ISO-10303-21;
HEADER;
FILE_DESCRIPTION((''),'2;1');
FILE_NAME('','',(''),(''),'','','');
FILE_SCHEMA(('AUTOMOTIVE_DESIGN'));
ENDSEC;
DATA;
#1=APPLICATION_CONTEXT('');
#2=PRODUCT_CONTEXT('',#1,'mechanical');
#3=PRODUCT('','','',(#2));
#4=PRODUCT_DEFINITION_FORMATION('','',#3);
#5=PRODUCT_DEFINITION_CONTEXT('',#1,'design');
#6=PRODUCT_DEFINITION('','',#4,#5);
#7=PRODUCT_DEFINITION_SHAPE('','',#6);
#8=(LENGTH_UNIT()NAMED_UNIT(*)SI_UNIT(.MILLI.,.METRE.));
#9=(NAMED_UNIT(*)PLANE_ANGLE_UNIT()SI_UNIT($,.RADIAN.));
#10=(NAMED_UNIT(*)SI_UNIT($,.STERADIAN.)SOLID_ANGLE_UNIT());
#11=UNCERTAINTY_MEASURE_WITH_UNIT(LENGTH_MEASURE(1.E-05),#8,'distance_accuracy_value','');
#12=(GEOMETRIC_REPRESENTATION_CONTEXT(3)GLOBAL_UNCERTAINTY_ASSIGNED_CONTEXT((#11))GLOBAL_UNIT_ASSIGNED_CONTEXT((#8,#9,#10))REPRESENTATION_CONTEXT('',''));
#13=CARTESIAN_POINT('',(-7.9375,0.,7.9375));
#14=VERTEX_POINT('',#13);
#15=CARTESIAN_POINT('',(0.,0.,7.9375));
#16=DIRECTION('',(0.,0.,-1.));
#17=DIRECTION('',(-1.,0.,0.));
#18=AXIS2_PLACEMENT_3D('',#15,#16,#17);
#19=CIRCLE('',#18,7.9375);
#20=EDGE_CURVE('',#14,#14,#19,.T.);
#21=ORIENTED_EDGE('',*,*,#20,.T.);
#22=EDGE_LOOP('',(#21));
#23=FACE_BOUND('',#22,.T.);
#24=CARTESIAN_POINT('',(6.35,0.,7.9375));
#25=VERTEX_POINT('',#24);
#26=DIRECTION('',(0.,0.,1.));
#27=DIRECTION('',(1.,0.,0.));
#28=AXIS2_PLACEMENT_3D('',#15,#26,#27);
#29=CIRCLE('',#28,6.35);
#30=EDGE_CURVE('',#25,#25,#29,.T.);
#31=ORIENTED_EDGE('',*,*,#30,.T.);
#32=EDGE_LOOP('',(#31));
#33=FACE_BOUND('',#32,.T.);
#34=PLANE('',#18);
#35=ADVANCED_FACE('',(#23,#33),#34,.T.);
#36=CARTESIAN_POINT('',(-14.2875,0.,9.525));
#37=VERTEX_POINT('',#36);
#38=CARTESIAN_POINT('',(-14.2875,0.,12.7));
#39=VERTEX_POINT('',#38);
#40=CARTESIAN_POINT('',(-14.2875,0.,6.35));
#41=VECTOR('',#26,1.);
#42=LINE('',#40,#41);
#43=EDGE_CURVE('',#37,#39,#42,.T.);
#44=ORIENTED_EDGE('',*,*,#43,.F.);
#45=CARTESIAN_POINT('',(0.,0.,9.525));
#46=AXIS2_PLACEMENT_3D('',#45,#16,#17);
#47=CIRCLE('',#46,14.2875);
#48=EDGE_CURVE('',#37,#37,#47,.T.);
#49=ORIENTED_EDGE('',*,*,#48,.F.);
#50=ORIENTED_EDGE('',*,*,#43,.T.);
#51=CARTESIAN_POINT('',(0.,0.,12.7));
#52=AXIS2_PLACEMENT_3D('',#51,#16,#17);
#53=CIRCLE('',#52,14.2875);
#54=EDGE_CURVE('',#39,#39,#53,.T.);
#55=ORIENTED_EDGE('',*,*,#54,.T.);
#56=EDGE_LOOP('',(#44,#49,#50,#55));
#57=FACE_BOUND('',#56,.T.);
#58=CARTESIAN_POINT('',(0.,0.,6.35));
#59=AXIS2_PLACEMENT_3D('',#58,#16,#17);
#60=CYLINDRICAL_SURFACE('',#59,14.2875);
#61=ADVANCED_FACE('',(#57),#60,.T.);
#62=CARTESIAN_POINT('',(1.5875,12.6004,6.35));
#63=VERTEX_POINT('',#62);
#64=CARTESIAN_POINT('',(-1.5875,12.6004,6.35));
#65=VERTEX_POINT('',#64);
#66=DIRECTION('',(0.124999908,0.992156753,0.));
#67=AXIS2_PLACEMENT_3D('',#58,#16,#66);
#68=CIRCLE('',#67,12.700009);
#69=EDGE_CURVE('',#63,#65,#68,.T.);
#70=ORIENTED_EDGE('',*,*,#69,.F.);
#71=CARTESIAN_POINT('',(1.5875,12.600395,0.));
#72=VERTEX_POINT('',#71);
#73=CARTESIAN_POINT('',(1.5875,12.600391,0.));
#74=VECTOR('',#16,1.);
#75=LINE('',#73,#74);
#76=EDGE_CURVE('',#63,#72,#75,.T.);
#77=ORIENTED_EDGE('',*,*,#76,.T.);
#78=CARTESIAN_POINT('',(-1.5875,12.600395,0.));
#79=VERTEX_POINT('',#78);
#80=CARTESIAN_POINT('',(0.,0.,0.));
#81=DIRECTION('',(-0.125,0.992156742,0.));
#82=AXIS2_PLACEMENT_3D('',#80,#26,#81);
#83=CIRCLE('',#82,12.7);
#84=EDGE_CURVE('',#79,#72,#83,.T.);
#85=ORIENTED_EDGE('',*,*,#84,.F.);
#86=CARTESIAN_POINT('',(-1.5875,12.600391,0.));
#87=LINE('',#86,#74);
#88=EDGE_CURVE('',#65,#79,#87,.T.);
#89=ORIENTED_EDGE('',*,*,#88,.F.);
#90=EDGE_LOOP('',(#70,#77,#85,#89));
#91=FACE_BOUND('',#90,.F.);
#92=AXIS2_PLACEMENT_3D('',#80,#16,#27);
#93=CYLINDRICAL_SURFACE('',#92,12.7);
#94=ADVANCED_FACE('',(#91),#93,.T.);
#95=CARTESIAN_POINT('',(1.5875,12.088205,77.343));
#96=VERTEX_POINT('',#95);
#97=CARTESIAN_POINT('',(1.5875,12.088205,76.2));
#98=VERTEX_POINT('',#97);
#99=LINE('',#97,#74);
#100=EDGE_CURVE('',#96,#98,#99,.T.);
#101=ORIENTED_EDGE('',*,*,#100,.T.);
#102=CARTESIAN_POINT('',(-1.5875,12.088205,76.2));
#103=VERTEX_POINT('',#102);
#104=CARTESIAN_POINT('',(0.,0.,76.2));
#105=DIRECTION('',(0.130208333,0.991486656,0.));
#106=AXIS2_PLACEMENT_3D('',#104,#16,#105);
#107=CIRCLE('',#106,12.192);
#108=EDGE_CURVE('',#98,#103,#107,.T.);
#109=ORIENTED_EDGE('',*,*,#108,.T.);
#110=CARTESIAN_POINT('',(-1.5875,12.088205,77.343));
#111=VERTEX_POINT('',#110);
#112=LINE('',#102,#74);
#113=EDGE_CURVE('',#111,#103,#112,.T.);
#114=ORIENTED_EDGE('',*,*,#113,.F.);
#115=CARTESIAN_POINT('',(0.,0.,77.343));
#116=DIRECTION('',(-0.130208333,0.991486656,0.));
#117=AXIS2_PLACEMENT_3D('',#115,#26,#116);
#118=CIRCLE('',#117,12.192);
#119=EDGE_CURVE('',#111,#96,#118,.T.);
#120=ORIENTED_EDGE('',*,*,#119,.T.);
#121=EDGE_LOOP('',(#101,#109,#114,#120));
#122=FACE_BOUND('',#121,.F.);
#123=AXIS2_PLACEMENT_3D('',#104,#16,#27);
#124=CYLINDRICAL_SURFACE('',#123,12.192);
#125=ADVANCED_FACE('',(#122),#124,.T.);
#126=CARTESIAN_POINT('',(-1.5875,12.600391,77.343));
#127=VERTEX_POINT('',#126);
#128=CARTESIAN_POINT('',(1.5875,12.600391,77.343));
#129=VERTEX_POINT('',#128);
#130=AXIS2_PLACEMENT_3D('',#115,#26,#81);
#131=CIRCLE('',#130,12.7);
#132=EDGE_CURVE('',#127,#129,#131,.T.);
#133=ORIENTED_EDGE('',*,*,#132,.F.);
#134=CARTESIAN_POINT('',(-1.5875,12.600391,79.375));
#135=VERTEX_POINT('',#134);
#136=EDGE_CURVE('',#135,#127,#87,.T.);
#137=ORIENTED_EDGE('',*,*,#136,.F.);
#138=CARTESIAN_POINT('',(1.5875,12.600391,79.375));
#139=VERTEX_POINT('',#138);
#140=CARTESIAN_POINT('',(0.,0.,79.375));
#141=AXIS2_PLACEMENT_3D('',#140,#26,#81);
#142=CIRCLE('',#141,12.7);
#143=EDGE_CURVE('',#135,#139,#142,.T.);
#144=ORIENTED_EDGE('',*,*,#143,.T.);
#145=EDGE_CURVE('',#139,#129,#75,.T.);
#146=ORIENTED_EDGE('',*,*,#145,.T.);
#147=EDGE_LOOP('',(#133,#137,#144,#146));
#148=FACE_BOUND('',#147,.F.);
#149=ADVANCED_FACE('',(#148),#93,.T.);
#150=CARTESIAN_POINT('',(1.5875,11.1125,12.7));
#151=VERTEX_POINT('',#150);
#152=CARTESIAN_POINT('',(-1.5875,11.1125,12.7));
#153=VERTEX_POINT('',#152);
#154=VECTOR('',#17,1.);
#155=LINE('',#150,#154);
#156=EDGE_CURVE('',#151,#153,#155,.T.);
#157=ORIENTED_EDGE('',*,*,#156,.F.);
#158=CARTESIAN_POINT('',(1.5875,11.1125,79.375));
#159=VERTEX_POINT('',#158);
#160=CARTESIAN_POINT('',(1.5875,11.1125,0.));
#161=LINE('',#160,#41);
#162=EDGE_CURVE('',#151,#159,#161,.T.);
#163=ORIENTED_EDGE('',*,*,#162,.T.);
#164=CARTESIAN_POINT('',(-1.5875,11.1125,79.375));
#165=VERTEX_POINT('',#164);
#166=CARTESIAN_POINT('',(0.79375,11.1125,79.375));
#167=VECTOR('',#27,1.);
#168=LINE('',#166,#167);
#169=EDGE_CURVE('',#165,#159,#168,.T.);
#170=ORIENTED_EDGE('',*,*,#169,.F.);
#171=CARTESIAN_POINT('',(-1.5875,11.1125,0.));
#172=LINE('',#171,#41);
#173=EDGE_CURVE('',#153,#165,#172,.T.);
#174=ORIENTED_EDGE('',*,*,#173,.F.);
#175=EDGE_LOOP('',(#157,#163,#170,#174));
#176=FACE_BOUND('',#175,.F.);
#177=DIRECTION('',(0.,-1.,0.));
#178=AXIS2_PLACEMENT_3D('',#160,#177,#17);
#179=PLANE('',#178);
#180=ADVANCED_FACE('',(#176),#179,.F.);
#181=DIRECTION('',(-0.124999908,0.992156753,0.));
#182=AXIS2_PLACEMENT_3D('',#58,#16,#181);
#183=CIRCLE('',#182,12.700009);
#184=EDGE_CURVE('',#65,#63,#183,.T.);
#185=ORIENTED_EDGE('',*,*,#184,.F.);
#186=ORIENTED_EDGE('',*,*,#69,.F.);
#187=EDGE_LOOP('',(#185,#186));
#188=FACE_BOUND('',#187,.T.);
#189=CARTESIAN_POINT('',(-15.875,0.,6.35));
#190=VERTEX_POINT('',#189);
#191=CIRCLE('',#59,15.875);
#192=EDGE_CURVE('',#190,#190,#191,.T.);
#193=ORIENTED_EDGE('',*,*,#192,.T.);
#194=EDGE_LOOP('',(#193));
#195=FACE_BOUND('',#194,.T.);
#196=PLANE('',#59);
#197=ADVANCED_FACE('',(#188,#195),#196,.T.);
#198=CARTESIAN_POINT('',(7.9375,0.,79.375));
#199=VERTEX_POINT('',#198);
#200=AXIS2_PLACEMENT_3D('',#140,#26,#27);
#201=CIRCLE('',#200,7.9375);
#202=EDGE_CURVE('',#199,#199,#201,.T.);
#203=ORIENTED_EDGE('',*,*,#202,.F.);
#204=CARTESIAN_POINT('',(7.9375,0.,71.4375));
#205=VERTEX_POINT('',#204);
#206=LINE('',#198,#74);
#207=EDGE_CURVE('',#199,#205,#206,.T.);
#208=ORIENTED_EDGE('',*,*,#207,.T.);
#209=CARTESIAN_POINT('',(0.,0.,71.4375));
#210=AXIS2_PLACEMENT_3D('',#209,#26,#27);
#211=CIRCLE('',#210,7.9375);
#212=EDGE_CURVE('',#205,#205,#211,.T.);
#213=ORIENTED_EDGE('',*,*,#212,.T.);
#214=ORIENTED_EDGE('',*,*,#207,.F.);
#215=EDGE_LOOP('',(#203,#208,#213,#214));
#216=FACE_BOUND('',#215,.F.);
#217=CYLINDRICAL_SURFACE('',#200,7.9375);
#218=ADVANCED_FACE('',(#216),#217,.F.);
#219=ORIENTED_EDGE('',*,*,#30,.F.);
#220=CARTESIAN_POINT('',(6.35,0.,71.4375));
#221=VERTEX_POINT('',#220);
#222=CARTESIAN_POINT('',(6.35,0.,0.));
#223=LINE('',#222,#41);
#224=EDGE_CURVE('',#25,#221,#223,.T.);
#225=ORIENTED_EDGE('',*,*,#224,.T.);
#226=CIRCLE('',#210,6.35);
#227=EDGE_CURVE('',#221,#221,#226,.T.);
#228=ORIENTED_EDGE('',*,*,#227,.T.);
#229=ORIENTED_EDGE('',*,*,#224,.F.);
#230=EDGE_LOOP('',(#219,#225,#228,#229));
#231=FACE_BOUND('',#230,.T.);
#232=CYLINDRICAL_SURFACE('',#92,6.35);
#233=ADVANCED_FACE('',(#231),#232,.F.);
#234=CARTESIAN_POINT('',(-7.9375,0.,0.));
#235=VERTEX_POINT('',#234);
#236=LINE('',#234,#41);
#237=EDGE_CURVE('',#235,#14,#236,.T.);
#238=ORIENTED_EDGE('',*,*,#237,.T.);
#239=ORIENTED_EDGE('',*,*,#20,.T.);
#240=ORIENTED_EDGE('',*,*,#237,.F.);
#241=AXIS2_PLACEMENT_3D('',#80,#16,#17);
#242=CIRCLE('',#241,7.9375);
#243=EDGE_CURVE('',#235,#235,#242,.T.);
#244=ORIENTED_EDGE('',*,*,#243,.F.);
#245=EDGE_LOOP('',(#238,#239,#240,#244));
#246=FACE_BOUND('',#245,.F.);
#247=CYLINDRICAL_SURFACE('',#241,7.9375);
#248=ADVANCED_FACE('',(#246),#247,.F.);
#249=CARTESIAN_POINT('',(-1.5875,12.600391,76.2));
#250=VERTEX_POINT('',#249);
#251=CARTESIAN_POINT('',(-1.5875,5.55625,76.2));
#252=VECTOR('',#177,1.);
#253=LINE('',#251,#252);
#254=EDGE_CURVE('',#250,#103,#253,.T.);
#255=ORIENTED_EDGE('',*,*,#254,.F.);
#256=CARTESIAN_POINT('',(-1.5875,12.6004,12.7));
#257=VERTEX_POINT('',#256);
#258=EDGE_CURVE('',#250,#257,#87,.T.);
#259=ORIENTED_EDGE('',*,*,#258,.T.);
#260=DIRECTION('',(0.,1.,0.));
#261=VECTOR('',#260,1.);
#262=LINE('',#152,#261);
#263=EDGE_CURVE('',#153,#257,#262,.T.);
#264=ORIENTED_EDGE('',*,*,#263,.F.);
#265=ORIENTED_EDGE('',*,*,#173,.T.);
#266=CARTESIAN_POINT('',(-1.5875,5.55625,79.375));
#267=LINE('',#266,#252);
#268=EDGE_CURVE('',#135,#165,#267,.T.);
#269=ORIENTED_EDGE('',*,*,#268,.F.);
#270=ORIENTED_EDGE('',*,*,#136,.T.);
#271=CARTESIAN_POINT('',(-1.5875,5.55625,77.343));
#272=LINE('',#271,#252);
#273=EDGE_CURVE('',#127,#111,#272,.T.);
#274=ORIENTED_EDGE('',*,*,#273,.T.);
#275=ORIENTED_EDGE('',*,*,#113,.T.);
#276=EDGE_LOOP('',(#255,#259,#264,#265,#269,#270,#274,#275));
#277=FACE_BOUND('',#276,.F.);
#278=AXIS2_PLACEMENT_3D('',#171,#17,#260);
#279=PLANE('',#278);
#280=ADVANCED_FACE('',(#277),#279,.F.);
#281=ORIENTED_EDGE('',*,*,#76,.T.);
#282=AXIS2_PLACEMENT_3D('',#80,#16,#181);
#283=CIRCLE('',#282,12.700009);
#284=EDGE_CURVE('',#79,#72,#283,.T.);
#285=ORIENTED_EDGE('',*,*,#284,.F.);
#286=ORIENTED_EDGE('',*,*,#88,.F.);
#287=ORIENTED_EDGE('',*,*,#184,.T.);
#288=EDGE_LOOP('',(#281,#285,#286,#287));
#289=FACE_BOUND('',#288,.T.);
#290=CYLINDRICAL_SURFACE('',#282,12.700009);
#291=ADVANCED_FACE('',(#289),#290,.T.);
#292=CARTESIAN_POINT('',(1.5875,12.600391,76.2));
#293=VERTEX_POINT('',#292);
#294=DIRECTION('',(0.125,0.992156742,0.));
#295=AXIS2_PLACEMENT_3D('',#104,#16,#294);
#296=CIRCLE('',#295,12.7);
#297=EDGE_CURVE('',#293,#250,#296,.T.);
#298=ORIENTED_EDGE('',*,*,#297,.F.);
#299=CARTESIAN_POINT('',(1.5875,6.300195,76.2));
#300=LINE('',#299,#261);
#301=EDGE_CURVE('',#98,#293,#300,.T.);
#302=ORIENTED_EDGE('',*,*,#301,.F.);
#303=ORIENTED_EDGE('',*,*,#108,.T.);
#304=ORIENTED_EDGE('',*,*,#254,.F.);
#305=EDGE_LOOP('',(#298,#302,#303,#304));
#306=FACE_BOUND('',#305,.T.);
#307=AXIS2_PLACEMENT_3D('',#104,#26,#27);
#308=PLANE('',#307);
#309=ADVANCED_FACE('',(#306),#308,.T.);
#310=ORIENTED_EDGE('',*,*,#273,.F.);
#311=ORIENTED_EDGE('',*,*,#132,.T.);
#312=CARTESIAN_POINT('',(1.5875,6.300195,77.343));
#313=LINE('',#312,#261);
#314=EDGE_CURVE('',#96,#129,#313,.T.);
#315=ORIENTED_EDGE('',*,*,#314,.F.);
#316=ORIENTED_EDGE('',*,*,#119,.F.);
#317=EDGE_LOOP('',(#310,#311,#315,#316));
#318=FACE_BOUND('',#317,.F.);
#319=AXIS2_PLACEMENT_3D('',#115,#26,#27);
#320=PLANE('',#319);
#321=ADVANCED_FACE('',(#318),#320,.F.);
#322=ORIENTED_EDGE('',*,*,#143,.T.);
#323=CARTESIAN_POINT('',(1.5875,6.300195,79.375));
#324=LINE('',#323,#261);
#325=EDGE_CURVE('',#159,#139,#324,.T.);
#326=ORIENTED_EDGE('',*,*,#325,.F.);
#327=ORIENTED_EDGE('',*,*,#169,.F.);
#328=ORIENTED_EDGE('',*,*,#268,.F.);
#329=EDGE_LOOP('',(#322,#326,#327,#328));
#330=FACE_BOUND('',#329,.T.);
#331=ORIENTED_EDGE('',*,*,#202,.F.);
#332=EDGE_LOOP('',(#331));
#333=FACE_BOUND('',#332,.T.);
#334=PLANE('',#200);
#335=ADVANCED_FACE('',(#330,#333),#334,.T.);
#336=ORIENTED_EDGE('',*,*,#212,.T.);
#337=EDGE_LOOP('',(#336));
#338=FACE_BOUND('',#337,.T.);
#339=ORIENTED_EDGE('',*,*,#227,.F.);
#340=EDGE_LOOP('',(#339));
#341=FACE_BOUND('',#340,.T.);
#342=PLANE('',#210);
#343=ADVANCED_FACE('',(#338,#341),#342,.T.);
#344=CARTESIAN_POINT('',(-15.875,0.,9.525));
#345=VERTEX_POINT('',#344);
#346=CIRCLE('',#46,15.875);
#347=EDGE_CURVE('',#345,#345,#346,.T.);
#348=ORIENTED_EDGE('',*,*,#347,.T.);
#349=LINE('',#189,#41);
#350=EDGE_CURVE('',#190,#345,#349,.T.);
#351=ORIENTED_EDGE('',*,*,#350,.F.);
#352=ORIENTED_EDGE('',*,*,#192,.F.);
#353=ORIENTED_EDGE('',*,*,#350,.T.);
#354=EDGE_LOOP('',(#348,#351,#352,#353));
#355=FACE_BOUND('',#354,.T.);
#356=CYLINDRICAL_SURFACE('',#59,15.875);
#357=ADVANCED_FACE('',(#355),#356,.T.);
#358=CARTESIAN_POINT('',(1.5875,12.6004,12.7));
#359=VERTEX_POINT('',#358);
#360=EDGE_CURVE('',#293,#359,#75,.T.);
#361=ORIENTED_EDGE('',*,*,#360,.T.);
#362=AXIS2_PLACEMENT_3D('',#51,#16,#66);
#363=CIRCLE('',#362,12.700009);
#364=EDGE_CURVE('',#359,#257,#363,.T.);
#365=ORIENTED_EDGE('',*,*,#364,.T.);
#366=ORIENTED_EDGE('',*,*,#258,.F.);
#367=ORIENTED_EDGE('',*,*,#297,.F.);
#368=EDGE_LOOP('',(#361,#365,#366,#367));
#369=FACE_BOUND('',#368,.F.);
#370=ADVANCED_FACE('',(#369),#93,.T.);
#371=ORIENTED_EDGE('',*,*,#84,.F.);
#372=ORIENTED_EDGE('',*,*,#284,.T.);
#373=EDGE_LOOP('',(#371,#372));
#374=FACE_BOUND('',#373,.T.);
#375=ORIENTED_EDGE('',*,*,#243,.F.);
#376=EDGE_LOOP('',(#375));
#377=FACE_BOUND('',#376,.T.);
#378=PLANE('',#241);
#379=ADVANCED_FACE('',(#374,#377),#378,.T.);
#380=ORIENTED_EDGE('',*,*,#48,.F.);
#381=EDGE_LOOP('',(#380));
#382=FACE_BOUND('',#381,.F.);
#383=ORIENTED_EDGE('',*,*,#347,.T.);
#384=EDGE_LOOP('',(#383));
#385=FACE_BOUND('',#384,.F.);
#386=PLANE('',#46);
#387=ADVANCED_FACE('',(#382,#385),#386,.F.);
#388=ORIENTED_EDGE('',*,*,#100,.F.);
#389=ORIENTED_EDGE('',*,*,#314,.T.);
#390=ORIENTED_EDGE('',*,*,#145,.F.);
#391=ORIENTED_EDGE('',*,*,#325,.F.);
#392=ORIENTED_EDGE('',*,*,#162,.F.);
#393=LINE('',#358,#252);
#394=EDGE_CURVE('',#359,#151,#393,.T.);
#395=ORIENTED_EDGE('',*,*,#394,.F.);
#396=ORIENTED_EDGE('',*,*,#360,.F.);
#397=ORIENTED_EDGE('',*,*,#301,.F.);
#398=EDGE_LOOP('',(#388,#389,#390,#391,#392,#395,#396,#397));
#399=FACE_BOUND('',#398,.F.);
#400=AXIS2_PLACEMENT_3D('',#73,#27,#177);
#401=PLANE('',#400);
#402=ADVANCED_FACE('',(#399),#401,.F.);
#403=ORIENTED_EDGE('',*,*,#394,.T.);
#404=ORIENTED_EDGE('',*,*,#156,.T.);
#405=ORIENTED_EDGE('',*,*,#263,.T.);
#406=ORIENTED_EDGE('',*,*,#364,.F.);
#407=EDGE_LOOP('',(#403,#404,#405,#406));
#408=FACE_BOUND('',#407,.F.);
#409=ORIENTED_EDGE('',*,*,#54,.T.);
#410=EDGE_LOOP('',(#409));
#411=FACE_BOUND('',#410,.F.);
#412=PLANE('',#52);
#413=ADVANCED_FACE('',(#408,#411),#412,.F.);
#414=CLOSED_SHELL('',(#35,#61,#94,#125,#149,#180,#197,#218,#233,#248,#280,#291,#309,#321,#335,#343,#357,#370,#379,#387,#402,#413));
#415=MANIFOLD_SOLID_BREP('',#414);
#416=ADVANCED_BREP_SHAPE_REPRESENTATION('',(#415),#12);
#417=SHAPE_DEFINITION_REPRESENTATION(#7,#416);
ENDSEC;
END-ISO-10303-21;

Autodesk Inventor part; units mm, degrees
sketch "Sketch1" plane through (0, 0, 0) normal (0, 0, 1) x (1, 0, 0)
  circle A0 centre (0, 0) radius 12.7
  circle A1 centre (0, 0) radius 6.35
  line L0 (-1.5875, 14.2875) -> (1.5875, 14.2875)
  line L1 (1.5875, 14.2875) -> (1.5875, 11.1125)
  line L2 (1.5875, 11.1125) -> (-1.5875, 11.1125)
  line L3 (-1.5875, 11.1125) -> (-1.5875, 14.2875)
  dimension "d0" = 25.4
  dimension "d4" = 12.7
  dimension "d50" = 3.175
  dimension "d51" = 3.175
  dimension "d52" = 1.5875
  dimension "d53" = 14.2875
extrude "Extrusion4" add sketch "Sketch1" along normal blind 79.375 contours A0 L3 L2 L1 | L1 L2 L3 A0
ref_plane "Work Plane5" through (0, 0, 76.2) normal (0, 0, 1) x (1, 0, 0)
sketch "Sketch6" plane through (0, 0, 76.2) normal (0, 0, 1) x (1, 0, 0)
  circle A0 centre (0, 0) radius 12.192
  circle A1 centre (0, 0) radius 12.7 projected
  dimension "d24" = 24.384
extrude "Extrusion8" cut sketch "Sketch6" along normal blind 1.143
ref_plane "Work Plane6" through (0, 0, 15.113) normal (0, 0, -1) x (-1, 0, 0)
ref_plane "Work Plane9" through (0, 0, 43.3324) normal (0, 0, -1) x (-1, 0, 0)
ref_plane "Work Plane10" through (0, 0, 29.464) normal (0, 0, -1) x (-1, 0, 0)
extrude "Extrusion16" cut sketch "Sketch1" along normal through all contours L1 L2 L3 A0 | A0 L3 L0 L1 picked at (0.1768, 11.638)
sketch "Sketch14" plane through (0, 0, 79.375) normal (0, 0, 1) x (1, 0, 0)
  circle A0 centre (0, 0) radius 6.35 projected
  circle A1 centre (0, 0) radius 7.9375
  dimension "d56" = 15.875
extrude "Extrusion17" cut sketch "Sketch14" against normal blind 7.9375
sketch "Sketch15" plane through (0, 0, 0) normal (0, 0, -1) x (-1, 0, 0)
  circle A0 centre (0, 0) radius 6.35 projected
  circle A1 centre (0, 0) radius 7.9375
  dimension "d59" = 15.875
extrude "Extrusion18" cut sketch "Sketch15" against normal blind 7.9375
ref_plane "Work Plane13" through (0, 0, 6.35) normal (0, 0, -1) x (-1, 0, 0)
sketch "Sketch16" plane through (0, 0, 6.35) normal (0, 0, -1) x (-1, 0, 0)
  arc A0 (-1.5875, 12.6004) -> (1.5875, 12.6004) centre (0, 0) ccw projected
  line L0 (-1.5875, 12.6004) -> (-1.5875, 11.1125) projected
  line L1 (-1.5875, 11.1125) -> (1.5875, 11.1125) projected
  line L2 (1.5875, 11.1125) -> (1.5875, 12.6004) projected
  circle A1 centre (0, 0) radius 15.875
  circle A2 centre (0, 0) radius 14.2875
  dimension "d63" = 31.75
  dimension "d68" = 28.575
extrude "Extrusion19" add sketch "Sketch16" against normal blind 3.175 contours A1 | A2
sketch "Sketch17" plane through (0, 0, 0) normal (0, 0, -1) x (-1, 0, 0)
  line L0 (-1.5875, 11.1125) -> (-1.5875, 12.6004) projected
  arc A0 (-1.5875, 12.6004) -> (1.5875, 12.6004) centre (0, 0) ccw projected
  line L1 (1.5875, 12.6004) -> (1.5875, 11.1125) projected
  line L2 (1.5875, 11.1125) -> (-1.5875, 11.1125) projected
  arc A1 (1.5875, 12.6004) -> (-1.5875, 12.6004) centre (0, 0) ccw
extrude "Extrusion20" add sketch "Sketch17" against normal blind 6.35 contours L0 A1 L1 L2
extrude "Extrusion21" add sketch "Sketch16" against normal blind 6.35 contours A2
equation "\"d51\" = d50"
equation "\"d52\" = 0.5 * d50"
equation "\"d53\" = 0.5 * d0 + 0.5 * d50"
properties part number "turn shaft 3"
